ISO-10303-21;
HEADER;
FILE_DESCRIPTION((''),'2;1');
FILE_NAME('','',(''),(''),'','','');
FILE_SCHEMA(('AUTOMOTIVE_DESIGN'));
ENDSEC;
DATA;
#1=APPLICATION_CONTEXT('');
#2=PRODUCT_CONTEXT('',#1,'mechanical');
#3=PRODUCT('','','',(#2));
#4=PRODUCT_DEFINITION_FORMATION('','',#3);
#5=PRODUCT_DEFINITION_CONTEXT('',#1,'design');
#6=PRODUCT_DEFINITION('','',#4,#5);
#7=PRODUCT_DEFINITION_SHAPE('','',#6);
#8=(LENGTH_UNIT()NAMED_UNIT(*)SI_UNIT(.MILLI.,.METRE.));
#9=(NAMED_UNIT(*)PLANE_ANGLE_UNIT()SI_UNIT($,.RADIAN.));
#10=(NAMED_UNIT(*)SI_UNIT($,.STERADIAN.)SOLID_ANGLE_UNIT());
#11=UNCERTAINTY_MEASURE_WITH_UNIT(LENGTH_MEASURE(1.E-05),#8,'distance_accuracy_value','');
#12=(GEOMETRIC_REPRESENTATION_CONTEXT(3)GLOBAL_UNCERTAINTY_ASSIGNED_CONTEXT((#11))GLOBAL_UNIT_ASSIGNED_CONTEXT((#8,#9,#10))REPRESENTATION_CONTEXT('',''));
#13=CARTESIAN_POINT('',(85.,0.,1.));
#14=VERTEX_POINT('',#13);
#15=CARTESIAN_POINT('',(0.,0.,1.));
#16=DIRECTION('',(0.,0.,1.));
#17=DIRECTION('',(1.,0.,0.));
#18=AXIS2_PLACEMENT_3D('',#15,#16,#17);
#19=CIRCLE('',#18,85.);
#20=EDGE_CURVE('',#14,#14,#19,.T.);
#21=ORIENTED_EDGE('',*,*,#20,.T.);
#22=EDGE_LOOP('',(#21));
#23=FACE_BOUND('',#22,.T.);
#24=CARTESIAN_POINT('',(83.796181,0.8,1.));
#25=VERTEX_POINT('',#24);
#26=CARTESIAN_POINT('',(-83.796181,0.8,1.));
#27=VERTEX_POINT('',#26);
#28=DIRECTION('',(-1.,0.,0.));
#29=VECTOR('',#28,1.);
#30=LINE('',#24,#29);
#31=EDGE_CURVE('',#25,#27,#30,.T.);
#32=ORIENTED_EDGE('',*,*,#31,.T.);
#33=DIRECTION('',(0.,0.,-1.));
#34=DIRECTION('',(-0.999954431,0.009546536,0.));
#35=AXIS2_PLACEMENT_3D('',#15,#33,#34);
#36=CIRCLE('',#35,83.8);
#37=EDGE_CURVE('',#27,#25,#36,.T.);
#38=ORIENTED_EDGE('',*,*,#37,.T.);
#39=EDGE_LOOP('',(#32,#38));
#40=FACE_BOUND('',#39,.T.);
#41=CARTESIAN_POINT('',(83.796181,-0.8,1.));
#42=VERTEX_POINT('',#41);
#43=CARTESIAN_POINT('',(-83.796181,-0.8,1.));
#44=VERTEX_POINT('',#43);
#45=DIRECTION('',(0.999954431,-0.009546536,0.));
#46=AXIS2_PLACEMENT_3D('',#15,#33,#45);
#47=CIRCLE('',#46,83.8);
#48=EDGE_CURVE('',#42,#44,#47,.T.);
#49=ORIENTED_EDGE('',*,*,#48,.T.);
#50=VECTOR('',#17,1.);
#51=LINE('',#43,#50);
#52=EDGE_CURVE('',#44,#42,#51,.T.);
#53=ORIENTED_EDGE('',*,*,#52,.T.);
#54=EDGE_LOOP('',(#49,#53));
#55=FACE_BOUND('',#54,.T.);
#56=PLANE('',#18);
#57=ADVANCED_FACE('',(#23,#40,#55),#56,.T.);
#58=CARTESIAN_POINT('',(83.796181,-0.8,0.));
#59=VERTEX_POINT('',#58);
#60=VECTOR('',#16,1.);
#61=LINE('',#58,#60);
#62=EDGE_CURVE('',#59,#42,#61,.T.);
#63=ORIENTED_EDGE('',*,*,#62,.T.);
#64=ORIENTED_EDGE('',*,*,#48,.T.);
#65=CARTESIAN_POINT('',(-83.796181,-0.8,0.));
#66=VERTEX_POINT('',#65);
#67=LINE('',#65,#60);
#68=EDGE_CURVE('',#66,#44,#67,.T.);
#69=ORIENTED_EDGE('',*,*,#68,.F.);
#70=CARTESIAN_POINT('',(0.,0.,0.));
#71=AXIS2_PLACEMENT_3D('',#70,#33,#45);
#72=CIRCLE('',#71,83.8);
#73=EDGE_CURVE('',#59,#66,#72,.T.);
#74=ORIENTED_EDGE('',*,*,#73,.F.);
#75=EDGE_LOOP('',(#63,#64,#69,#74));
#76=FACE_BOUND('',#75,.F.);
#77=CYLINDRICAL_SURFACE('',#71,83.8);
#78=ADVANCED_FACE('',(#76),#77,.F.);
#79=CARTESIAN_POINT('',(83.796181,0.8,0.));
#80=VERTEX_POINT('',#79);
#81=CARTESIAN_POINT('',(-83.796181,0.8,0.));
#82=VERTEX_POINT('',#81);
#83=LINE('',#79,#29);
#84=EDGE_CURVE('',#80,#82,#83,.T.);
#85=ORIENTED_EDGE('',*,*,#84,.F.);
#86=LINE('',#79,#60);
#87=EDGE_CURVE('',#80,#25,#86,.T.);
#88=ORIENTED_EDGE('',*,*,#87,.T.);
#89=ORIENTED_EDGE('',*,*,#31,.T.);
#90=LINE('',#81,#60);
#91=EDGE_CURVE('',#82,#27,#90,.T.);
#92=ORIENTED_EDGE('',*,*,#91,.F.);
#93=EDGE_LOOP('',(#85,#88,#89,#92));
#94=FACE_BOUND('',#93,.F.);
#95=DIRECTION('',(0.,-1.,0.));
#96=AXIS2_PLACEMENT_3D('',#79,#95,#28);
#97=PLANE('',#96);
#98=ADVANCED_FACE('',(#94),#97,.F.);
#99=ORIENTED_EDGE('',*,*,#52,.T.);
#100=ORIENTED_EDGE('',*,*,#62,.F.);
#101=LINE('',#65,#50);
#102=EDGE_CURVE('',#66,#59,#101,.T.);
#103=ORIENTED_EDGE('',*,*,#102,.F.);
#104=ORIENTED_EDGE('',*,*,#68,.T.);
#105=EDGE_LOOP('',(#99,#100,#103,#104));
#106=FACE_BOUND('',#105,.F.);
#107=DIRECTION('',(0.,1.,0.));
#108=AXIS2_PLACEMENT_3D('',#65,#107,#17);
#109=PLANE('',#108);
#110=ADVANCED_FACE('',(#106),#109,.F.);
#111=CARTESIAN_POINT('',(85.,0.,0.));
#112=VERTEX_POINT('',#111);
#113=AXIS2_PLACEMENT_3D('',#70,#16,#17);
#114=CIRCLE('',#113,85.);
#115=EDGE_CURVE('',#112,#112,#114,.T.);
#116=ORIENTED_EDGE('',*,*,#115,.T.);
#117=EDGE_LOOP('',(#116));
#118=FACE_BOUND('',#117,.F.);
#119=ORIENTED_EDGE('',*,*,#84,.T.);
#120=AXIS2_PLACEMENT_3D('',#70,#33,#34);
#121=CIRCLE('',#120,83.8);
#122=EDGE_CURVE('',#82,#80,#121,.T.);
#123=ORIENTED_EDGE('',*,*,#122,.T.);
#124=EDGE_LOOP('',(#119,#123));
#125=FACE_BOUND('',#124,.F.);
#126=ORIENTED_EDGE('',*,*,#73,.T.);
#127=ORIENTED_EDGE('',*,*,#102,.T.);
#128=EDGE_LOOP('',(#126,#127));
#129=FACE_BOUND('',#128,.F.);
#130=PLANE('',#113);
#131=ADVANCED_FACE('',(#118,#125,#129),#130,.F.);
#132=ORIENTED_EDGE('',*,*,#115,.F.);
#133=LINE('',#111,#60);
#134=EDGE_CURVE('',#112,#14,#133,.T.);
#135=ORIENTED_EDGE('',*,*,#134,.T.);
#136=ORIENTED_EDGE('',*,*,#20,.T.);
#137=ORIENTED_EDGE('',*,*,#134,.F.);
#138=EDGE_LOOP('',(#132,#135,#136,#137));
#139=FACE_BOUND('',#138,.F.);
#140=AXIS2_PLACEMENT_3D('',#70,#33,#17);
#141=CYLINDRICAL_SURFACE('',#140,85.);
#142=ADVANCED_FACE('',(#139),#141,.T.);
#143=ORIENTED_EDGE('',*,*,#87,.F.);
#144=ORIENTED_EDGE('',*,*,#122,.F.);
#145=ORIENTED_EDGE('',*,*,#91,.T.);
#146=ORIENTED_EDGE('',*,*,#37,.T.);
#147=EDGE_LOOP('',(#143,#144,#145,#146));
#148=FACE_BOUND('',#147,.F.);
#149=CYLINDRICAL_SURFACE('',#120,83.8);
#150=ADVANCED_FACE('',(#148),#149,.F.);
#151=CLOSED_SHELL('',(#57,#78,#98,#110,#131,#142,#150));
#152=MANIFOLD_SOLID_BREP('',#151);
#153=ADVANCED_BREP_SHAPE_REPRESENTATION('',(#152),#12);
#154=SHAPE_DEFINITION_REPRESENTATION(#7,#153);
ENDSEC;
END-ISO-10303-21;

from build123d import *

# Parameters (mm, degrees)
F0_R     = 85
F1_DEPTH = 1


with BuildPart() as f1:
    # F0 (on Top) → F1 (new body)
    with BuildSketch(Plane.XY):
        Circle(F0_R)
        with BuildLine():
            ThreePointArc((83.796181, -0.8), (0, -83.8), (-83.796181, -0.8))
            Line((-83.796181, -0.8), (83.796181, -0.8))
        make_face(mode=Mode.SUBTRACT)
        with BuildLine():
            Line((83.796181, 0.8), (-83.796181, 0.8))
            ThreePointArc((-83.796181, 0.8), (0, 83.8), (83.796181, 0.8))
        make_face(mode=Mode.SUBTRACT)
    extrude(amount=F1_DEPTH)


solid = f1.part
